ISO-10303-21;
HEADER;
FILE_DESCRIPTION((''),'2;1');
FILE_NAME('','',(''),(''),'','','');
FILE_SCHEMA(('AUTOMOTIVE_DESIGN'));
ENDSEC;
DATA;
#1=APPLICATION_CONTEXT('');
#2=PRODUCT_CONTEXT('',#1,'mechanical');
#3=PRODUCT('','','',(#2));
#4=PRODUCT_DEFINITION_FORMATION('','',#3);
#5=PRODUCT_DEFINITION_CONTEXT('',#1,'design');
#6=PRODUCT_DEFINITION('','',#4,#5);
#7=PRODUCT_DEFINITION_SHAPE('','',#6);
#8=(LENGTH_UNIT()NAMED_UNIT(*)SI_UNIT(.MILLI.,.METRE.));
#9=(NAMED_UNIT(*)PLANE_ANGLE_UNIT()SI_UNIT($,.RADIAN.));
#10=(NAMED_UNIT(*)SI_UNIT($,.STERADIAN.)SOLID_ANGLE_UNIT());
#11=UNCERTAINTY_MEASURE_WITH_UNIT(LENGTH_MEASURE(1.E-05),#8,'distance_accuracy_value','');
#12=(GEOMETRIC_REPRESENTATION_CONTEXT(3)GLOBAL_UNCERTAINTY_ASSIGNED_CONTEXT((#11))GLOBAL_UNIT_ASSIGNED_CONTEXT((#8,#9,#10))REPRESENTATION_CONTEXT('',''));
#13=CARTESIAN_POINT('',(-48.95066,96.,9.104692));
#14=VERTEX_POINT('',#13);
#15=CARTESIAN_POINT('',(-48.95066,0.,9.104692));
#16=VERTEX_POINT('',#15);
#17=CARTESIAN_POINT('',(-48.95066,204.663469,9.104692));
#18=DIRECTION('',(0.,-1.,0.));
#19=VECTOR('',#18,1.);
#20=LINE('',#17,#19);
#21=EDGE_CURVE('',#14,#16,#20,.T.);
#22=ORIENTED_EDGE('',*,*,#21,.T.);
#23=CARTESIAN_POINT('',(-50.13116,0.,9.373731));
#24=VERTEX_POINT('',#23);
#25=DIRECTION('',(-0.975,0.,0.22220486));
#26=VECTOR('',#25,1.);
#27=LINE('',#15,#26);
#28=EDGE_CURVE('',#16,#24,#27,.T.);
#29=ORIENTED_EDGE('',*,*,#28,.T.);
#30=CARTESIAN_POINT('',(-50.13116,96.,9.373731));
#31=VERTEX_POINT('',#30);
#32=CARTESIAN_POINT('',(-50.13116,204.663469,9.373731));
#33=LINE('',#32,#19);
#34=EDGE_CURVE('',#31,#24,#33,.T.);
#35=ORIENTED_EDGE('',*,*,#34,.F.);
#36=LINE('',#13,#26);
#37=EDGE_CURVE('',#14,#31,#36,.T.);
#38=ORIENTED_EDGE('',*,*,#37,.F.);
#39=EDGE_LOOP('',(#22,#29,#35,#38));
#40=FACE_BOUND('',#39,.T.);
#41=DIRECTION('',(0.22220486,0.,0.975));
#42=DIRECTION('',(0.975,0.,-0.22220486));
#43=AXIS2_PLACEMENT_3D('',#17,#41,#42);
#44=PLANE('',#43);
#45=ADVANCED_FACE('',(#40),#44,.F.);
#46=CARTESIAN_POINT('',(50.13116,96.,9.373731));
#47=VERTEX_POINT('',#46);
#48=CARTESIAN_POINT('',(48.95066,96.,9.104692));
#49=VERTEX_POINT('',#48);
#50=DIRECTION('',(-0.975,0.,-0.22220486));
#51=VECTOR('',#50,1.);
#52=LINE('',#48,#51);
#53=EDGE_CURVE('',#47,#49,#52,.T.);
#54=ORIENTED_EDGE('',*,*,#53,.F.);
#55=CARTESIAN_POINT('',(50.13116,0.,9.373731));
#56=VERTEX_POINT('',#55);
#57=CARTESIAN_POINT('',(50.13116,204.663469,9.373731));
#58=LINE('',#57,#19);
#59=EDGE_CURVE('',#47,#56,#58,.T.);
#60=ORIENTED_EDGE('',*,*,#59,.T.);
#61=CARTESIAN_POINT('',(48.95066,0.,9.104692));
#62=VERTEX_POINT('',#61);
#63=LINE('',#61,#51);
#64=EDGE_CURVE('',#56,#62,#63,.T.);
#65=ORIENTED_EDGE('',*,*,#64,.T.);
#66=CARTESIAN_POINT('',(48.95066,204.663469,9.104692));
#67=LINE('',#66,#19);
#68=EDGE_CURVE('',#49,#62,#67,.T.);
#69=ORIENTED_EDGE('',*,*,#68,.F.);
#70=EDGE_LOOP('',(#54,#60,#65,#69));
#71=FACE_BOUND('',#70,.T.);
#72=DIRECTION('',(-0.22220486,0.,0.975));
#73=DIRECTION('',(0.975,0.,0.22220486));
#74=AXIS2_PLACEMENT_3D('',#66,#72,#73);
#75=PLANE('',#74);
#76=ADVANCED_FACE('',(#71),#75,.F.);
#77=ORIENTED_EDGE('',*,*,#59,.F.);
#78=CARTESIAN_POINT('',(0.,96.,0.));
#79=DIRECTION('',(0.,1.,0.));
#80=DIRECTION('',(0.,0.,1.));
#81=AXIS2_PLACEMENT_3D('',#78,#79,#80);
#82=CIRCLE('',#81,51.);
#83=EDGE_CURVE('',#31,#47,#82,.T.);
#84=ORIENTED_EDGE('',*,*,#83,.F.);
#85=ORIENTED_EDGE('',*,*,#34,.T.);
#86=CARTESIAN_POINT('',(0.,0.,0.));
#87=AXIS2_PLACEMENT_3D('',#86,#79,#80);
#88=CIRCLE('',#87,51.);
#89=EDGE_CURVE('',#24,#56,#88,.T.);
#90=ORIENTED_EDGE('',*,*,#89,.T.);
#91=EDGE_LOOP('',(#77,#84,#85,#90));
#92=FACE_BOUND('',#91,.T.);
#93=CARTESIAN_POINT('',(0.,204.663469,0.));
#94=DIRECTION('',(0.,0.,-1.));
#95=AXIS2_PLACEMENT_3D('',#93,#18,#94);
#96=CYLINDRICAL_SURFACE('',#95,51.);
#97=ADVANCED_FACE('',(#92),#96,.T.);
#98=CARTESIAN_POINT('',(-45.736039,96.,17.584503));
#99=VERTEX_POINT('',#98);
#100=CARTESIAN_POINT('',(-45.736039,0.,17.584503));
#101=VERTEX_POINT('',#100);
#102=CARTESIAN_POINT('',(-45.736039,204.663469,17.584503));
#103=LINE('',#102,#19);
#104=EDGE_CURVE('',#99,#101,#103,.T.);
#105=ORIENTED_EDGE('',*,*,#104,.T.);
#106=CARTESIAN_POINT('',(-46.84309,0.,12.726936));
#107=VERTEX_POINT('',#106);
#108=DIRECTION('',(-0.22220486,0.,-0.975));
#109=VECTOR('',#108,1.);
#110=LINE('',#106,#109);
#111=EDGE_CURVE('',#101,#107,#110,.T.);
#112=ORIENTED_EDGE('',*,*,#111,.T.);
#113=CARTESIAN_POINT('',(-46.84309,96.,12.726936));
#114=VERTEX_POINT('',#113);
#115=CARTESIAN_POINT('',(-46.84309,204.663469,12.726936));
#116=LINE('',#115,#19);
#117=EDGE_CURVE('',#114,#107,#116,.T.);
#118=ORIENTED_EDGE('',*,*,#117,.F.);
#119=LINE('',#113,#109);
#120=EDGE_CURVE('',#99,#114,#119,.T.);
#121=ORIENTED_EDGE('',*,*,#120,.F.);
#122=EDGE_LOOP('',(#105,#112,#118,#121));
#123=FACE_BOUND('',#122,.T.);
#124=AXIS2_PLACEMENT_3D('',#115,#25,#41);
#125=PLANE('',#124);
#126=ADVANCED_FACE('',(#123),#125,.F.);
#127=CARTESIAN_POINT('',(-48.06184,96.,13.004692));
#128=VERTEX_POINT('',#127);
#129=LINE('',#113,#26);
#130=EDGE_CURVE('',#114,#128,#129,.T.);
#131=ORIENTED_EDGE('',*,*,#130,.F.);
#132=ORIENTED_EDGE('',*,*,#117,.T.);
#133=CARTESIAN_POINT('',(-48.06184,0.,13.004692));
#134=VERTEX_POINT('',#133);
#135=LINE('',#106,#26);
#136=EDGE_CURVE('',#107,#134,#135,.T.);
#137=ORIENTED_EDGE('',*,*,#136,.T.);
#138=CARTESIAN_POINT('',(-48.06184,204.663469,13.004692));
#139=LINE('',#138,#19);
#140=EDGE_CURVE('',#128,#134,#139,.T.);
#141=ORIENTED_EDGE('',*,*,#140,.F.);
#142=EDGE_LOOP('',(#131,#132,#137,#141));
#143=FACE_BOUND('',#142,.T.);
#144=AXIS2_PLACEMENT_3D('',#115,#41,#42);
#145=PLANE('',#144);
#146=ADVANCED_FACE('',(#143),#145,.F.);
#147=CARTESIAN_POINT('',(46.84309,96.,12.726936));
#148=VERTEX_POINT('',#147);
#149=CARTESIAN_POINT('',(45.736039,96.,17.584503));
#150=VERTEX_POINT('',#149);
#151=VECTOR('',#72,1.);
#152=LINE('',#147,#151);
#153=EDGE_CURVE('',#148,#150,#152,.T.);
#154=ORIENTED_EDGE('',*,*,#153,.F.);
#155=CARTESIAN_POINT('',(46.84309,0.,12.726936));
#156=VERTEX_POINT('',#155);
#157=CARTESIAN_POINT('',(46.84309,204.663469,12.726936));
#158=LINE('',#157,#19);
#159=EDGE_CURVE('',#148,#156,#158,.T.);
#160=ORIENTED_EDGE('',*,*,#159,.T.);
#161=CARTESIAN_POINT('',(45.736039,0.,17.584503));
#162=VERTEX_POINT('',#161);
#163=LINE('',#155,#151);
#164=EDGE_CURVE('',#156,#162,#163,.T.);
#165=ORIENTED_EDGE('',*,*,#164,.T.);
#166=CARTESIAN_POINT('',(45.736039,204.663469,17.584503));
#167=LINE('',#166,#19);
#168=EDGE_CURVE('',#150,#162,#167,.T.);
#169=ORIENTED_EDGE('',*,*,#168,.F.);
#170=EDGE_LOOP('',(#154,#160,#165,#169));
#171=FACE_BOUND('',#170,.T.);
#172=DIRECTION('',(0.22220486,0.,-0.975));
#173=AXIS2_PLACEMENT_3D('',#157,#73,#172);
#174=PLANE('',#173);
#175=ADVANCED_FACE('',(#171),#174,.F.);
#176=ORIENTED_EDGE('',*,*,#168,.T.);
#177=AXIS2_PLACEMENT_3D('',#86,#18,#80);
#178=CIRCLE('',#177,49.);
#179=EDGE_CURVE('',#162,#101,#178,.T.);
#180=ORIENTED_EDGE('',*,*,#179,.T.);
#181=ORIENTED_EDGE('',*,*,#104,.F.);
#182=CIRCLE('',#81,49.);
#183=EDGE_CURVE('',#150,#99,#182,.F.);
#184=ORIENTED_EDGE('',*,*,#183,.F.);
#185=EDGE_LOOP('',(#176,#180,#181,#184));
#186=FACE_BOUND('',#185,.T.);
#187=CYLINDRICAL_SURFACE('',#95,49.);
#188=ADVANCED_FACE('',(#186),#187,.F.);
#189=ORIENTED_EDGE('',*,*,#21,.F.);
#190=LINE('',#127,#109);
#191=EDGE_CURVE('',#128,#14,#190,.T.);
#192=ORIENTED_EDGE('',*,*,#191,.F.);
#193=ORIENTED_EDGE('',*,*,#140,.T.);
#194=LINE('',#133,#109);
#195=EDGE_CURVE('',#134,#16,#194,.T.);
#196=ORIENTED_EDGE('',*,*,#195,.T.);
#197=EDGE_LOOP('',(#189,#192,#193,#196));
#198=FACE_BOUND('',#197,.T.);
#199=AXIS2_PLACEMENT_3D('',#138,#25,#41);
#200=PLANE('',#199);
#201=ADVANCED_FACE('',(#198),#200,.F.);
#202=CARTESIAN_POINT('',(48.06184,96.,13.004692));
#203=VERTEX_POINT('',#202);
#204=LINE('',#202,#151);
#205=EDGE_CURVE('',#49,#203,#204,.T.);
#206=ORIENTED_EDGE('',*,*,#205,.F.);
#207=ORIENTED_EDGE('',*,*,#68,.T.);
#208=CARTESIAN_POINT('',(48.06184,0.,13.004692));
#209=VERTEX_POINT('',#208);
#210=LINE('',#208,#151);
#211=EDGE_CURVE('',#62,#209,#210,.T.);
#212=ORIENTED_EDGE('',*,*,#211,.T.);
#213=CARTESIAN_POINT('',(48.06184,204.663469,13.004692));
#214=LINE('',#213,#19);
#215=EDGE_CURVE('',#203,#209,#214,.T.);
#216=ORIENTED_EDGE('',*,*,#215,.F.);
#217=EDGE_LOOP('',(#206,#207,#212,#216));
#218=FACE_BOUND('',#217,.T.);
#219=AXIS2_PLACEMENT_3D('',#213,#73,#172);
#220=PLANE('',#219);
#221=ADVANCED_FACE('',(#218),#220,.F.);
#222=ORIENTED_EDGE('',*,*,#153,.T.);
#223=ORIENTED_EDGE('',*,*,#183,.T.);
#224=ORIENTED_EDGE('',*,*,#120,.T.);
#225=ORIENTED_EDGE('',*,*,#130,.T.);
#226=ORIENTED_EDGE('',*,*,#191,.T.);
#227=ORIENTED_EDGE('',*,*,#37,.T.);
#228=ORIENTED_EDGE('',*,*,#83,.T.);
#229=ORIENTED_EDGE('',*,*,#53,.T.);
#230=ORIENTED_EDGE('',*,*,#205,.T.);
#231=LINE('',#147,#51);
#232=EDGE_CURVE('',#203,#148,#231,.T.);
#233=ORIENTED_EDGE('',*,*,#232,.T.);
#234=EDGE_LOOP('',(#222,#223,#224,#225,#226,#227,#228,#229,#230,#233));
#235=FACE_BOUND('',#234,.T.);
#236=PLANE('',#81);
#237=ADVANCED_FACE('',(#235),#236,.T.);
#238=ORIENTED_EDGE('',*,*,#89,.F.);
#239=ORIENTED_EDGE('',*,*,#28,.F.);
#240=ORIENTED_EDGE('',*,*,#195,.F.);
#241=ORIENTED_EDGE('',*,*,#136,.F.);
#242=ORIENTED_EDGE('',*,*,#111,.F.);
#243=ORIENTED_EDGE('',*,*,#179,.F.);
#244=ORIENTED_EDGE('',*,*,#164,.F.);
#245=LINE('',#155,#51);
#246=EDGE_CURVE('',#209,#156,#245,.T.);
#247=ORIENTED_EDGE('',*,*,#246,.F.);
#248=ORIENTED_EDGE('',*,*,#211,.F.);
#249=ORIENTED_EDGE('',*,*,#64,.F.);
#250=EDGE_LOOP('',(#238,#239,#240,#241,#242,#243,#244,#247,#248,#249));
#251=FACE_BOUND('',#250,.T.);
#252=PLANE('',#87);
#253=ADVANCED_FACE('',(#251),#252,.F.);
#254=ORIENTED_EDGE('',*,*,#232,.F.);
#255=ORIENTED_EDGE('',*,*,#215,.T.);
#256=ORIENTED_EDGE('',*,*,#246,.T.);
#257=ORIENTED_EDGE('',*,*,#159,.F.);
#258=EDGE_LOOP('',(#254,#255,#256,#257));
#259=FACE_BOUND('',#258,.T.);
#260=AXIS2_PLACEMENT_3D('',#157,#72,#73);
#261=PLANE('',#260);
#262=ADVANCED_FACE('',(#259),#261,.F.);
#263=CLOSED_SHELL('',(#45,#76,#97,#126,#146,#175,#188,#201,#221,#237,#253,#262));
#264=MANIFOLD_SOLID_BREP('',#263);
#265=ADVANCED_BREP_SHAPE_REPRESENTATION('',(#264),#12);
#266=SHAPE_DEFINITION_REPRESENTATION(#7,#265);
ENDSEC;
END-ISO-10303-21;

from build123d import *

# Parameters (mm, degrees)
EXTRUDE_1_DEPTH = 96


with BuildPart() as part:
    # Эскиз1 → Бобышка-Вытянуть1 (new body)
    with BuildSketch(Plane(origin=(0, 0, 0), x_dir=(1, 0, 0), z_dir=(0, 1, 0))):
        with BuildLine():
            Line((-46.843090279, -12.726935731), (-48.061840279, -13.004691807))
            Line((-48.061840279, -13.004691807), (-48.950659721, -9.104691807))
            Line((-48.950659721, -9.104691807), (-50.131159715, -9.373730613))
            ThreePointArc((-50.131159715, -9.373730613), (0, -51), (50.131159715, -9.373730613))
            Line((50.131159715, -9.373730613), (48.950659721, -9.104691807))
            Line((48.950659721, -9.104691807), (48.061840279, -13.004691807))
            Line((48.061840279, -13.004691807), (46.843090279, -12.726935731))
            Line((46.843090279, -12.726935731), (45.736038995, -17.584502752))
            ThreePointArc((45.736038995, -17.584502752), (0, -49), (-45.736038995, -17.584502752))
            Line((-45.736038995, -17.584502752), (-46.843090279, -12.726935731))
        make_face()
    extrude(amount=EXTRUDE_1_DEPTH)


solid = part.part
